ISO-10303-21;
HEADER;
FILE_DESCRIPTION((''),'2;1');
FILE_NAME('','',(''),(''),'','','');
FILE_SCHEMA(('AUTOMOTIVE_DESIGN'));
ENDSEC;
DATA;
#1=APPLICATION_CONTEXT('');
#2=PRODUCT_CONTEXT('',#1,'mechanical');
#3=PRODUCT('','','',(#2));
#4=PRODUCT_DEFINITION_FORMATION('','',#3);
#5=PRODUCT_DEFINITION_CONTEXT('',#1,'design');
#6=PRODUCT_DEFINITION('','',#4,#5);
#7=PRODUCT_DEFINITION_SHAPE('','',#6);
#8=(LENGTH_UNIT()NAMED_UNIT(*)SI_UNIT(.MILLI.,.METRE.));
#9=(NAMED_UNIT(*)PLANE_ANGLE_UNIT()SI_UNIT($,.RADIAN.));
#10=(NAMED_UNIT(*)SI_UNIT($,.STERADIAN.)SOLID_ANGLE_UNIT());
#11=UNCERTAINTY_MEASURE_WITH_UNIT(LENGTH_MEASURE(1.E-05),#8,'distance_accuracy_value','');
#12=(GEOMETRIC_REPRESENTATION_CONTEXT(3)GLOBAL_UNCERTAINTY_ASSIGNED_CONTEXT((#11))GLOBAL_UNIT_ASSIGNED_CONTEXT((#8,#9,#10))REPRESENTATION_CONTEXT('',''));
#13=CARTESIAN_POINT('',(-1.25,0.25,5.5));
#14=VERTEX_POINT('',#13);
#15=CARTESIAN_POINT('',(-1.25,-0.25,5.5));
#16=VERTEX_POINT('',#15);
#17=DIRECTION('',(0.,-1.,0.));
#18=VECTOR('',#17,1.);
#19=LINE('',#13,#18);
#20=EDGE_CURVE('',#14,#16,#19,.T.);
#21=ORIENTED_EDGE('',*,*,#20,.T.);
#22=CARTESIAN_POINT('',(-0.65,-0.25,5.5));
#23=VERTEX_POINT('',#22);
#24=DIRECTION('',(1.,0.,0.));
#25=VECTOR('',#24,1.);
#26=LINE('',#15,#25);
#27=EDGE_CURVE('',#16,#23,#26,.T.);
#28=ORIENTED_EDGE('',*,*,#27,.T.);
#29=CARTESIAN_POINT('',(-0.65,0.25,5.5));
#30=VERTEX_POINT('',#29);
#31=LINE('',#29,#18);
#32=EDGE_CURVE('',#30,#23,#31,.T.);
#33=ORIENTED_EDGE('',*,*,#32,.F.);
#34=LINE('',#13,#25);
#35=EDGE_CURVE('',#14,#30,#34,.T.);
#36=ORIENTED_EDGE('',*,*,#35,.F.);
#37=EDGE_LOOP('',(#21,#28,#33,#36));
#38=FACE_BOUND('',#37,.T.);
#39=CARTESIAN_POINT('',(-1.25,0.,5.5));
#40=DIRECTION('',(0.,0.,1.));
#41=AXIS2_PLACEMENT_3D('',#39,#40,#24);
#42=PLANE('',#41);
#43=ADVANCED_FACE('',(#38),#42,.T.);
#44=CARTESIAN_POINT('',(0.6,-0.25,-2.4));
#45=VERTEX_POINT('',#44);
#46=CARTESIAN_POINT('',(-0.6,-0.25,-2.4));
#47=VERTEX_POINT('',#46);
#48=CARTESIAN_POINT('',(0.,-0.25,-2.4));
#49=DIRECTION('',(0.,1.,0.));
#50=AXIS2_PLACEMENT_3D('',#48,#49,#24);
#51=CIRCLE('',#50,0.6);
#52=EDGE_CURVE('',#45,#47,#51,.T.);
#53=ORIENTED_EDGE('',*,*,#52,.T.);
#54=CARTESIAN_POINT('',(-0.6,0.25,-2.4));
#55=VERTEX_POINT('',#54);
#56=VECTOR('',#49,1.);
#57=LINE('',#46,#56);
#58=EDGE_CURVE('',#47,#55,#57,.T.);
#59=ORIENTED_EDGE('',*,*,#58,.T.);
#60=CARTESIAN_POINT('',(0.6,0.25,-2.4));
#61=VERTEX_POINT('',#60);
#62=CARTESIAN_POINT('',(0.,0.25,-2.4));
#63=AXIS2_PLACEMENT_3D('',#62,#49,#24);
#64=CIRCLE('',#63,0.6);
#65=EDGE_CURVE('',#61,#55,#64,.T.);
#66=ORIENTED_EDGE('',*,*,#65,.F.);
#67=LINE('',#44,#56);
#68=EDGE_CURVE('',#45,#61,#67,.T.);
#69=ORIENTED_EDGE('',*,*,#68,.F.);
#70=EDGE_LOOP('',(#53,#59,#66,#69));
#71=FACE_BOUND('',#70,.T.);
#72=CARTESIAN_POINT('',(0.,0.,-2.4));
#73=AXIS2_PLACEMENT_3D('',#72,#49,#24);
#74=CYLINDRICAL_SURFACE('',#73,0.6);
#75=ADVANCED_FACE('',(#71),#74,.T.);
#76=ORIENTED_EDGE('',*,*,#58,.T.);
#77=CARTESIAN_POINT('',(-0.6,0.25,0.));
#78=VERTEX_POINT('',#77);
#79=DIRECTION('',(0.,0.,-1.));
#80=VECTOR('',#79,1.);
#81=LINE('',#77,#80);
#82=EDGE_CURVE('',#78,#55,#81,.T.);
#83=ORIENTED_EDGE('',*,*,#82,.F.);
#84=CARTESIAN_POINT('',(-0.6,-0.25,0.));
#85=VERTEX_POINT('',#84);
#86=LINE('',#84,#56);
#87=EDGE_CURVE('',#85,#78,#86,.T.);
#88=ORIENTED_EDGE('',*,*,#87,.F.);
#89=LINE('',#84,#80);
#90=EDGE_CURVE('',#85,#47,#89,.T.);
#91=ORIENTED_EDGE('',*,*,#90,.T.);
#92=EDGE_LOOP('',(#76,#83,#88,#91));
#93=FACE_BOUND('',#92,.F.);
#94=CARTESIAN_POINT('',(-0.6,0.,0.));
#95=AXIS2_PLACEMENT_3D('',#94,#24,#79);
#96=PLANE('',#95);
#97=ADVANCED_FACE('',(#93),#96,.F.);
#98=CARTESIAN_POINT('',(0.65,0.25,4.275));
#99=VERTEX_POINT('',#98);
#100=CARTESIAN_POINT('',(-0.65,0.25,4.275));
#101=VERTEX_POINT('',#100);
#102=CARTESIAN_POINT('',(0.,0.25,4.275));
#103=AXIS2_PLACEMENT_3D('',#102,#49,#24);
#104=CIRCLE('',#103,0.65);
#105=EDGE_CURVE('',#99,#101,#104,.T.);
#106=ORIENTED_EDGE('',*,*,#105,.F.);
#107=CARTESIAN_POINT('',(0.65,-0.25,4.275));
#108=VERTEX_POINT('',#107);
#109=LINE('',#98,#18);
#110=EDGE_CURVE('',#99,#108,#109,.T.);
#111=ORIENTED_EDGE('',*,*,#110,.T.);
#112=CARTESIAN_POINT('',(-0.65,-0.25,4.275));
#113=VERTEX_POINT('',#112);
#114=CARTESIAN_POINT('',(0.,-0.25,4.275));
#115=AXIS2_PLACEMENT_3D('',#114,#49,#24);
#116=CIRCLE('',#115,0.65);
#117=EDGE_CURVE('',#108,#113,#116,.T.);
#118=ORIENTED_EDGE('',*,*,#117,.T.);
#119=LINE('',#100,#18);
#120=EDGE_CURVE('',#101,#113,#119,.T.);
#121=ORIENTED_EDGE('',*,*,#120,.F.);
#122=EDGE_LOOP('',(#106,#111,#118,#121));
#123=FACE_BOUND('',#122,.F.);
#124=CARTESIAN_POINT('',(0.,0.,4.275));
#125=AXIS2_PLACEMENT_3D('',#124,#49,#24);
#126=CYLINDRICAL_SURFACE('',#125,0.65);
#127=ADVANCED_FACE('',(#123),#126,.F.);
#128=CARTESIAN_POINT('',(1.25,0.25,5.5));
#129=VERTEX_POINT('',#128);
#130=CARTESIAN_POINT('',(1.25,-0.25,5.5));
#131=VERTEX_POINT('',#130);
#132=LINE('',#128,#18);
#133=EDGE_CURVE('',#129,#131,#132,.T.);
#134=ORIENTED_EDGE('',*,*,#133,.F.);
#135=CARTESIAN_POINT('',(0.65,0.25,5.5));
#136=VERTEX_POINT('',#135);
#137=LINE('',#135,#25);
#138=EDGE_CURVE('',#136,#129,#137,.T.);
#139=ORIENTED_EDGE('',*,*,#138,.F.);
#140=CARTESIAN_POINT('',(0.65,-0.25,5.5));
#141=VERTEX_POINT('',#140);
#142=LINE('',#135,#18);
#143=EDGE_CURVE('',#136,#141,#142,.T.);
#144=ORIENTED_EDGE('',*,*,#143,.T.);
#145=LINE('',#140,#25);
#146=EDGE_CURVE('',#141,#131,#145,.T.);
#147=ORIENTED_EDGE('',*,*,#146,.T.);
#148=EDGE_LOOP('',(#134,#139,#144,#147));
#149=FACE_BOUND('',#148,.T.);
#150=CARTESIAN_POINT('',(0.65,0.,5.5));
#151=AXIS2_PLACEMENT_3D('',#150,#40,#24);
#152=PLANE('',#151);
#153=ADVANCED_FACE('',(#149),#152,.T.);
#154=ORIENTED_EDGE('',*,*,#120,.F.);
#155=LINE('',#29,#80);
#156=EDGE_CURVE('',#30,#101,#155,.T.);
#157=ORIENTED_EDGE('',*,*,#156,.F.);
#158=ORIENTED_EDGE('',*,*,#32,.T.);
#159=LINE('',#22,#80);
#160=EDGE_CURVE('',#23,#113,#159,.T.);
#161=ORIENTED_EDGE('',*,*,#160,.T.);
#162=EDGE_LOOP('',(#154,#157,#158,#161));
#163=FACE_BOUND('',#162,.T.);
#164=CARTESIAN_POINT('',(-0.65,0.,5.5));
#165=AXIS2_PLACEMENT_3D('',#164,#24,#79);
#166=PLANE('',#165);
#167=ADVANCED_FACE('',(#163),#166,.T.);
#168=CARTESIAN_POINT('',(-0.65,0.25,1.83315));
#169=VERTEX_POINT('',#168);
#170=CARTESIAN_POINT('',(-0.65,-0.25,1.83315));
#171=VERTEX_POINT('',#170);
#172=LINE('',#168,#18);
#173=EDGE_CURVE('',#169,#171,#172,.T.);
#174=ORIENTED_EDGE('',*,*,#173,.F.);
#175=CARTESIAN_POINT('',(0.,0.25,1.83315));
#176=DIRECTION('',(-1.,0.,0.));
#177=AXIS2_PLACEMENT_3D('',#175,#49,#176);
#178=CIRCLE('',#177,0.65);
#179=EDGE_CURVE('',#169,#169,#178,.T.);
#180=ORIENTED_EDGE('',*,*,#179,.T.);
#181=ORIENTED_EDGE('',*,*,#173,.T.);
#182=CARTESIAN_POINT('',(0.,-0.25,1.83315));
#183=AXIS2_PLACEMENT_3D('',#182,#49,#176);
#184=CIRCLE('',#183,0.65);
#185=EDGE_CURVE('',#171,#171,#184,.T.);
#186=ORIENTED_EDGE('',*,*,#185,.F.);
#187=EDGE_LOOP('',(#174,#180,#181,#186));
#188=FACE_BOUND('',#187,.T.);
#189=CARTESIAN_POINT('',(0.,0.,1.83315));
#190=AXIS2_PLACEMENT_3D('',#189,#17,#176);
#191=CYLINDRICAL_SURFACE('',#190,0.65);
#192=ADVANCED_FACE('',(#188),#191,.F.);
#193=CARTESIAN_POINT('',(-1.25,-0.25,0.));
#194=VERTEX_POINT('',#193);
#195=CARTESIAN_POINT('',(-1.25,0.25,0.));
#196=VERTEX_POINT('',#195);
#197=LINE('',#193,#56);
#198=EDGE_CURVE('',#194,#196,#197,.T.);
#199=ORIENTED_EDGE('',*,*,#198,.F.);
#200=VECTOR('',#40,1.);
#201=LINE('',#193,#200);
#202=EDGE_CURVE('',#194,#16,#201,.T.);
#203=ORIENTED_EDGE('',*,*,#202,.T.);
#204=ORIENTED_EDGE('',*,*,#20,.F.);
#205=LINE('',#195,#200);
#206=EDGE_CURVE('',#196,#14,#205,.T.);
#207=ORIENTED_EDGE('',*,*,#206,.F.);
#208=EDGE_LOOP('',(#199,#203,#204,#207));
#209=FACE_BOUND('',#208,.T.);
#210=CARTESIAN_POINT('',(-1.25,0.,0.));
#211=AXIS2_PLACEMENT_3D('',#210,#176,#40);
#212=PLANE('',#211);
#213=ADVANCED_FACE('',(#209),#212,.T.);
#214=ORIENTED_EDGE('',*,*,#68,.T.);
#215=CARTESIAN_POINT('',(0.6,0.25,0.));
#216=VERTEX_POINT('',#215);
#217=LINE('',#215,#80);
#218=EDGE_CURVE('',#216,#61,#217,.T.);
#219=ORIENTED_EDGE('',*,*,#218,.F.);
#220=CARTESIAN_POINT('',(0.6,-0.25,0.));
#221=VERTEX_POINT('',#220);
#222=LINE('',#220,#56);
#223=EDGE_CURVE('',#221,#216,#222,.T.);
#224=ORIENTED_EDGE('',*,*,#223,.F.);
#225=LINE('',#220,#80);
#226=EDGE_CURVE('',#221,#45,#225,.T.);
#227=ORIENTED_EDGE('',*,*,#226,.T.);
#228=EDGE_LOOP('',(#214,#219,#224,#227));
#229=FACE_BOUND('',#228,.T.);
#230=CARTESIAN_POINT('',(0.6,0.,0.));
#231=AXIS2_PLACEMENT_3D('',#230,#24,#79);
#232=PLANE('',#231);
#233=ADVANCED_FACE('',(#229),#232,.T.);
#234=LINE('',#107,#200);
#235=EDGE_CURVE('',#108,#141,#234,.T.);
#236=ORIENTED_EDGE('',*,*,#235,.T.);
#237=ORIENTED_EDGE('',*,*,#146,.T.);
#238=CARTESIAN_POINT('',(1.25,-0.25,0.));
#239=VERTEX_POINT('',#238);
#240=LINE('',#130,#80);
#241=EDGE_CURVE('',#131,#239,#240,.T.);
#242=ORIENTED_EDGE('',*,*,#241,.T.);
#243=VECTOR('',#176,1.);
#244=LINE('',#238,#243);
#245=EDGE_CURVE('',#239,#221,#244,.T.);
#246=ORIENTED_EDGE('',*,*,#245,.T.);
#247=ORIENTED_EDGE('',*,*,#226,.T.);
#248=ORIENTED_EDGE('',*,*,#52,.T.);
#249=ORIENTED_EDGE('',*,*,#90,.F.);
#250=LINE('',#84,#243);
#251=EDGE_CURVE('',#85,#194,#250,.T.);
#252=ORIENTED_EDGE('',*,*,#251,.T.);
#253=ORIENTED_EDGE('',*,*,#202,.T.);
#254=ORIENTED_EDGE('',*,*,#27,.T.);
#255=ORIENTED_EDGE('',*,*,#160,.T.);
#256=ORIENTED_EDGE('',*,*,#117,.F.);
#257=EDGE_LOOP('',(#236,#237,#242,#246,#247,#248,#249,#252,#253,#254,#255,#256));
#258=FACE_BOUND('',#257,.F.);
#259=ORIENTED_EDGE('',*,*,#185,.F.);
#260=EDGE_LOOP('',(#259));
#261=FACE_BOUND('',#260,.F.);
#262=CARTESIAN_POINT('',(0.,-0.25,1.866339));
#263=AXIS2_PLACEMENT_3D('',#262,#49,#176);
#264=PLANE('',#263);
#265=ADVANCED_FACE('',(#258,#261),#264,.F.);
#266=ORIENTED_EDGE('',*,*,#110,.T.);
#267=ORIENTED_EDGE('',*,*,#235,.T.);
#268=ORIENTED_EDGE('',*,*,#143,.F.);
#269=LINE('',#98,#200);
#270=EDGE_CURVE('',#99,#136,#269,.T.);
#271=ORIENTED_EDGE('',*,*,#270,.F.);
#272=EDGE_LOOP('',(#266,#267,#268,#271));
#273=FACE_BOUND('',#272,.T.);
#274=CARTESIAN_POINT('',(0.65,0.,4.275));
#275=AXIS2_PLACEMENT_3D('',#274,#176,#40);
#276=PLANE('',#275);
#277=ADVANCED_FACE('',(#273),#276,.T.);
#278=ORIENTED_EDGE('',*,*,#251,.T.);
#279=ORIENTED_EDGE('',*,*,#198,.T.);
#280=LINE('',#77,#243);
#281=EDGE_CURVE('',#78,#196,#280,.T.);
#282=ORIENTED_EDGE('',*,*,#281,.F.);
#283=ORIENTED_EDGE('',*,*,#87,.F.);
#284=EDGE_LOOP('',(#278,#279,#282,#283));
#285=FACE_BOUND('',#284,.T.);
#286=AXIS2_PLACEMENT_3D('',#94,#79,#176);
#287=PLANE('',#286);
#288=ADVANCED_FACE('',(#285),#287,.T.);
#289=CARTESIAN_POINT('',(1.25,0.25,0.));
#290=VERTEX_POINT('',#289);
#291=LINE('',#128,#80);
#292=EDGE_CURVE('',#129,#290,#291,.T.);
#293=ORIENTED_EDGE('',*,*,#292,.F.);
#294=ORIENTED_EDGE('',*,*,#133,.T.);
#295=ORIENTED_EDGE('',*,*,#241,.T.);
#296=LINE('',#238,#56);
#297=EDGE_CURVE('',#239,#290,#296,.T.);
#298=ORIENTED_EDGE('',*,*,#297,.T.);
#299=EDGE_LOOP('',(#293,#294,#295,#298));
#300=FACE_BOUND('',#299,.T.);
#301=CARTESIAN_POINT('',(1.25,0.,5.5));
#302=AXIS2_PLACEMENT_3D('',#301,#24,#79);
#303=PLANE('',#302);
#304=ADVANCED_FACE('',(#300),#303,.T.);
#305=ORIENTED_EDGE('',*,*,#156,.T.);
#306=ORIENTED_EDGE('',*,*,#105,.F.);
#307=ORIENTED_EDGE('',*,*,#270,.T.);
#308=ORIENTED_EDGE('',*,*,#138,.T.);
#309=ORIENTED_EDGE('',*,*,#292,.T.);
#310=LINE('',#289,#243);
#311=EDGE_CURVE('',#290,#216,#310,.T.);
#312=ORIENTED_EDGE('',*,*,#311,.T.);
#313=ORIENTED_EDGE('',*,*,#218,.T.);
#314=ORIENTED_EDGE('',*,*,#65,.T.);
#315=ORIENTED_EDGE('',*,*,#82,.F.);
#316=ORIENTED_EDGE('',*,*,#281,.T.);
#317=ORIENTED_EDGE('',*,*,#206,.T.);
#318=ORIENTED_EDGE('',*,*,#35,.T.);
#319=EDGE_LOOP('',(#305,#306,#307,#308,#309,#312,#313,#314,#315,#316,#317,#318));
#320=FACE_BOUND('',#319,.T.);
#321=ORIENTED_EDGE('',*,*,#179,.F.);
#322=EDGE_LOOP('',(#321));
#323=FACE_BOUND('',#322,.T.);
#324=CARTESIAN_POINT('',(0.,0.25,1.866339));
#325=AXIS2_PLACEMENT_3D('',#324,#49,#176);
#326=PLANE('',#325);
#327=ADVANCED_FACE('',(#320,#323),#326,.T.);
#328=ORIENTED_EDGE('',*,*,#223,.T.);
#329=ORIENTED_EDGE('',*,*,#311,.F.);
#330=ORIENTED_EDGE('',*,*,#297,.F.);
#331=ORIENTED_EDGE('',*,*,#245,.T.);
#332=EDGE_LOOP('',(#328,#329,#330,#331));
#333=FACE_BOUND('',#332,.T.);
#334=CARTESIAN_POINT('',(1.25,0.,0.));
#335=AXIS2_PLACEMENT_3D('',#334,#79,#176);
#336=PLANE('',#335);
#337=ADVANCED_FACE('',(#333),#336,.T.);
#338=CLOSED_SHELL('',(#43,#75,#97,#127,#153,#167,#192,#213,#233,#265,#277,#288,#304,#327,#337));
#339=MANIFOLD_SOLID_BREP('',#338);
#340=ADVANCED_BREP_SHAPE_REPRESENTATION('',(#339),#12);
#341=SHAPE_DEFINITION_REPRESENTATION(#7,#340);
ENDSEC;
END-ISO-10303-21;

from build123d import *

# Parameters (mm, degrees)
SKETCH_R  = 0.65
PAD_DEPTH = 0.25


with BuildPart() as part:
    # Sketch → Pad (new body, symmetric)
    with BuildSketch(Plane(origin=(0, 0, 0), x_dir=(-1, 0, 0), z_dir=(0, 1, 0))):
        with BuildLine():
            Line((-1.25, 5.5), (-1.25, 0))
            Line((-1.25, 0), (-0.6, 0))
            Line((-0.6, 0), (-0.6, -2.4))
            ThreePointArc((-0.6, -2.4), (0, -3), (0.6, -2.4))
            Line((0.6, 0), (0.6, -2.4))
            Line((0.6, 0), (1.25, 0))
            Line((1.25, 0), (1.25, 5.5))
            Line((1.25, 5.5), (0.65, 5.5))
            Line((0.65, 5.5), (0.65, 4.275))
            ThreePointArc((-0.65, 4.275), (0, 3.625), (0.65, 4.275))
            Line((-0.65, 4.275), (-0.65, 5.5))
            Line((-0.65, 5.5), (-1.25, 5.5))
        make_face()
        with Locations((0, 1.83315)):
            Circle(SKETCH_R, mode=Mode.SUBTRACT)
    extrude(amount=PAD_DEPTH, both=True)


solid = part.part
